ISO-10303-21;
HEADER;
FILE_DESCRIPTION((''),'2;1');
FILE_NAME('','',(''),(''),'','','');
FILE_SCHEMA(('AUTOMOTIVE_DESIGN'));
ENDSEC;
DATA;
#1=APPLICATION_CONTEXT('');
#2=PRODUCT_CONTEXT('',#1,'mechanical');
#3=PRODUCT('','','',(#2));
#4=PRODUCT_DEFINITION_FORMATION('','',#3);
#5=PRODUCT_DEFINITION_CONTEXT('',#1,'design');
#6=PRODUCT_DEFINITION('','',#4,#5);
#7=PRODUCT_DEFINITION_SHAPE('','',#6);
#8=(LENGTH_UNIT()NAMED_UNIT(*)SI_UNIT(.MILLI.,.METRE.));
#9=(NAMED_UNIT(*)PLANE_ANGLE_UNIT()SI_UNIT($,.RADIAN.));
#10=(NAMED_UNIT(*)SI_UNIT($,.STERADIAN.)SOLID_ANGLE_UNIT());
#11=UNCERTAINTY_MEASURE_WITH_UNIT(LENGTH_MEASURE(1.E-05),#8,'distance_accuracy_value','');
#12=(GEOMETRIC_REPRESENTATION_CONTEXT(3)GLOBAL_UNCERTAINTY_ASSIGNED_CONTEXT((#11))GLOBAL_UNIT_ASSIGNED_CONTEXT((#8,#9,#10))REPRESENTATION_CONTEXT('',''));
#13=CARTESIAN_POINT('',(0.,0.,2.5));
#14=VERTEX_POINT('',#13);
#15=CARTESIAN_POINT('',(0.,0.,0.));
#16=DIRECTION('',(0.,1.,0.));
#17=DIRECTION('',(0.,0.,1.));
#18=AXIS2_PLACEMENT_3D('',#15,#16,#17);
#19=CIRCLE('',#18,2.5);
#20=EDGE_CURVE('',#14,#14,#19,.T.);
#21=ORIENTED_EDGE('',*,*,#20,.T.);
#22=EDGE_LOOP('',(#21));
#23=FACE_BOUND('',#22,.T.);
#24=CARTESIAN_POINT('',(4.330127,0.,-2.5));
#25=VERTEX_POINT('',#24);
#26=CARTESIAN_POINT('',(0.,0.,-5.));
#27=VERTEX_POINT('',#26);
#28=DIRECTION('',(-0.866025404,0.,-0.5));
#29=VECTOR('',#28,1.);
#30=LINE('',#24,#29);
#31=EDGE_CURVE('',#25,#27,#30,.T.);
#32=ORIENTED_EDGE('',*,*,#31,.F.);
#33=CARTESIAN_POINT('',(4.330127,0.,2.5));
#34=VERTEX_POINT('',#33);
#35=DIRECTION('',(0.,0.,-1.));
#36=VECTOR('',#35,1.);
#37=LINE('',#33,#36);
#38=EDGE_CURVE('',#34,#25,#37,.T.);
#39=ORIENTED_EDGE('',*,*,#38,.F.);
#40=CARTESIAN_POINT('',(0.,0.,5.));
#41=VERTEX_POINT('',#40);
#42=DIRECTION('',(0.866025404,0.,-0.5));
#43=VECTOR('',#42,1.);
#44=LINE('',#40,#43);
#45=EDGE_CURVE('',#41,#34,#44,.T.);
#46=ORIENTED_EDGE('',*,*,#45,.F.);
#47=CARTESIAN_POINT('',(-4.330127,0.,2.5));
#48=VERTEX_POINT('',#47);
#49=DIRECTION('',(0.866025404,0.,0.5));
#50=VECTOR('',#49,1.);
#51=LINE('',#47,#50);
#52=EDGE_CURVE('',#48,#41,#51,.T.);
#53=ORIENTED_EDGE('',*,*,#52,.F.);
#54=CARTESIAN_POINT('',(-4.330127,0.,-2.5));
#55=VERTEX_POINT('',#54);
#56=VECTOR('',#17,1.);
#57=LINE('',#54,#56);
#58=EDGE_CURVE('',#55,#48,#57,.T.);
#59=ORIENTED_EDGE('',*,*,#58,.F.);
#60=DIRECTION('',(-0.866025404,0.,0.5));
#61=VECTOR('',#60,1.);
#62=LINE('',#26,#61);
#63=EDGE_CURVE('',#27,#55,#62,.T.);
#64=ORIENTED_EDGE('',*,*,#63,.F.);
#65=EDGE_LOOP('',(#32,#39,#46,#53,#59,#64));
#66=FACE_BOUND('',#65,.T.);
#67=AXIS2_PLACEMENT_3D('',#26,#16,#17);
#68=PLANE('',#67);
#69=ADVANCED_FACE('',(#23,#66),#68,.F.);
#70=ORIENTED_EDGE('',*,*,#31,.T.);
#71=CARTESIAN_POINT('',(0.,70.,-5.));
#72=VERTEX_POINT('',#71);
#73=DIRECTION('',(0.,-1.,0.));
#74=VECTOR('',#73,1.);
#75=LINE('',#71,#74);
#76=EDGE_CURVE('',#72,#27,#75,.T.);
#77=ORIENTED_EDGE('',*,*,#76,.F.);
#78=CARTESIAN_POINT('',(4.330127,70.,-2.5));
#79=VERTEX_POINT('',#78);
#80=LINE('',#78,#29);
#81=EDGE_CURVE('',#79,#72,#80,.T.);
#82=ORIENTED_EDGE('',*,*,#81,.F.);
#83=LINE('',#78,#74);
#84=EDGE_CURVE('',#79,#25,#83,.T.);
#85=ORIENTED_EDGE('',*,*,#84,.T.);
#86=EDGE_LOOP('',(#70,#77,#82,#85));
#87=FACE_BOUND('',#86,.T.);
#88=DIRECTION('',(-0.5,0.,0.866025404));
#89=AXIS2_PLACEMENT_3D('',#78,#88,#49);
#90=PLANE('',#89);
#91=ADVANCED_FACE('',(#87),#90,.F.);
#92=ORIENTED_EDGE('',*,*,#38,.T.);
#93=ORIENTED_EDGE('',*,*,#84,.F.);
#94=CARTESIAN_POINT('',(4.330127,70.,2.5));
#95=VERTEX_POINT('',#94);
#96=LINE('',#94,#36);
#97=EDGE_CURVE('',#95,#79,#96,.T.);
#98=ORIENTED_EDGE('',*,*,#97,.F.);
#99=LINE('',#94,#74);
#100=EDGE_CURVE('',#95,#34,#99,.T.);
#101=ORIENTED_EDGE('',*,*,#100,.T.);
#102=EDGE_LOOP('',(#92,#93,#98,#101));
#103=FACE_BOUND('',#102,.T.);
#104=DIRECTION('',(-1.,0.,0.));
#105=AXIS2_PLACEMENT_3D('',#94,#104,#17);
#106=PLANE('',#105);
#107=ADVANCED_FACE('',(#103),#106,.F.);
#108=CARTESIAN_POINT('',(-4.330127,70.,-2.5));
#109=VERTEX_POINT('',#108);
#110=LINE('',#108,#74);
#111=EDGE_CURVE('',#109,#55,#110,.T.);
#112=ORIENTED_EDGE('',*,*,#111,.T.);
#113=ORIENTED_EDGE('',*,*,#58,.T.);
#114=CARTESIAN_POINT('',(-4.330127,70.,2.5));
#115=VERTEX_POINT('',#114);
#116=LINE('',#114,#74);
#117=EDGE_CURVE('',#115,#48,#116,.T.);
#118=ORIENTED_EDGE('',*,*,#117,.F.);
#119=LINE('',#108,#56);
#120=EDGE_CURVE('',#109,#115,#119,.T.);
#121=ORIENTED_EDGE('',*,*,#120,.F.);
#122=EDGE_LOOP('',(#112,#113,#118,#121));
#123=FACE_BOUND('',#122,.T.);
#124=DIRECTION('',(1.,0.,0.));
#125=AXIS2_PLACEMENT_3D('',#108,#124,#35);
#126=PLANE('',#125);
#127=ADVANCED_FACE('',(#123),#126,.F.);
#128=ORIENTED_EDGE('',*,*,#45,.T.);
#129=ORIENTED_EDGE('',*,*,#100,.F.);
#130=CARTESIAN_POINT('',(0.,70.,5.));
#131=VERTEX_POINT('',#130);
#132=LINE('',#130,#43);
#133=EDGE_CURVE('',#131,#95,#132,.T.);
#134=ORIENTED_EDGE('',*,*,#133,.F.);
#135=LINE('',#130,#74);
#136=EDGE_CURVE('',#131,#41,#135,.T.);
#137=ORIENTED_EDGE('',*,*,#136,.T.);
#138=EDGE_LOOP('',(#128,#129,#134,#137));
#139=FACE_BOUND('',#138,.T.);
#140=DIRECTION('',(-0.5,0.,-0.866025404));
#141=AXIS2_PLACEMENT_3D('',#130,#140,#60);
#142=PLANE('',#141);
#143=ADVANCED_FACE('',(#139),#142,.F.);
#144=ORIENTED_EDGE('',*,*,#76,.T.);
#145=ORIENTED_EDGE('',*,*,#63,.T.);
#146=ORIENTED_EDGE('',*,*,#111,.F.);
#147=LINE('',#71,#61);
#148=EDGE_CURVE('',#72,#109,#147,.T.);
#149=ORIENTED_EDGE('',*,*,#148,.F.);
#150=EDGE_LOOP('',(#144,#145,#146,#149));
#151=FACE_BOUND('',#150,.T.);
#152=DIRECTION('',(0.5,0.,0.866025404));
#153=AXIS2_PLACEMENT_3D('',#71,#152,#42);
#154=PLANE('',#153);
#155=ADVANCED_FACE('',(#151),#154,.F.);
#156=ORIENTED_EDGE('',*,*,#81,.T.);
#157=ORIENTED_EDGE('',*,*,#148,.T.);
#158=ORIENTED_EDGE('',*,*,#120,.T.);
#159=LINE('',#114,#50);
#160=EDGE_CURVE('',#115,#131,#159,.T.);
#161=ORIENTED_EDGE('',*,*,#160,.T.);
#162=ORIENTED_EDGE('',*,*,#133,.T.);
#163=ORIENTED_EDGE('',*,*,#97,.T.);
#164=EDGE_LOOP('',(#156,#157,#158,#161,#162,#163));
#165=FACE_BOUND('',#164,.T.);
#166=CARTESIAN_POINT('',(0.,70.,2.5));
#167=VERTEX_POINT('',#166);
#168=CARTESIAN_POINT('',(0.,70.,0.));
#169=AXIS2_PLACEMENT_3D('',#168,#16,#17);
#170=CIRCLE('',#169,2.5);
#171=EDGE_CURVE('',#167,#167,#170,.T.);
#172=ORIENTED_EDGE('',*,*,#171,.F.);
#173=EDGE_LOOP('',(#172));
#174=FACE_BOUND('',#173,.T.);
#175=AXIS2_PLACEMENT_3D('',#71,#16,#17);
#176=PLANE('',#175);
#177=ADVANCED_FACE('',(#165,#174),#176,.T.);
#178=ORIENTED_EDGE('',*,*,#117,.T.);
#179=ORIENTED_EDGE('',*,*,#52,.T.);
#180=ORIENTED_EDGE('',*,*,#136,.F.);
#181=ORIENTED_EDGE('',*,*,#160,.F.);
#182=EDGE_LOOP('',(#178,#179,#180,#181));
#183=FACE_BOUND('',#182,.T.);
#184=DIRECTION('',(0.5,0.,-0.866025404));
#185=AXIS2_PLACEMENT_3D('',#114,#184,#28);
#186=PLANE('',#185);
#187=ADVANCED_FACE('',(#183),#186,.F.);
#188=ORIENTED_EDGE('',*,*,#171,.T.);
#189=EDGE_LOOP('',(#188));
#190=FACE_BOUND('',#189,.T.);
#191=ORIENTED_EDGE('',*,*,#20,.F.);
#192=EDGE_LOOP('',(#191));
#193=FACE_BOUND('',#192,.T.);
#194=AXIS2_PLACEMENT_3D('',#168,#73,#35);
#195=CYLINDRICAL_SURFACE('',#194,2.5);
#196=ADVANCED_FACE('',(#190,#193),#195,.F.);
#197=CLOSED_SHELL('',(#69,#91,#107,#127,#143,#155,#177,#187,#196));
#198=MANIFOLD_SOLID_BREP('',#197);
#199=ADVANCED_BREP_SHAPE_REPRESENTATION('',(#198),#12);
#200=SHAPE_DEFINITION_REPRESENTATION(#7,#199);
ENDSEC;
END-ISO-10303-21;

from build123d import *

# Parameters (mm, degrees)
ESQUISSE1_R      = 2.5
EXTRUSION1_DEPTH = 70


with BuildPart() as part:
    # Esquisse1 → Extrusion1 (new body)
    with BuildSketch(Plane(origin=(0, 0, 0), x_dir=(1, 0, 0), z_dir=(0, 1, 0))):
        Polygon((0, 5), (-4.330127019, 2.5), (-4.330127019, -2.5), (0, -5), (4.330127019, -2.5), (4.330127019, 2.5), align=None)
        Circle(ESQUISSE1_R, mode=Mode.SUBTRACT)
    extrude(amount=EXTRUSION1_DEPTH)


solid = part.part
